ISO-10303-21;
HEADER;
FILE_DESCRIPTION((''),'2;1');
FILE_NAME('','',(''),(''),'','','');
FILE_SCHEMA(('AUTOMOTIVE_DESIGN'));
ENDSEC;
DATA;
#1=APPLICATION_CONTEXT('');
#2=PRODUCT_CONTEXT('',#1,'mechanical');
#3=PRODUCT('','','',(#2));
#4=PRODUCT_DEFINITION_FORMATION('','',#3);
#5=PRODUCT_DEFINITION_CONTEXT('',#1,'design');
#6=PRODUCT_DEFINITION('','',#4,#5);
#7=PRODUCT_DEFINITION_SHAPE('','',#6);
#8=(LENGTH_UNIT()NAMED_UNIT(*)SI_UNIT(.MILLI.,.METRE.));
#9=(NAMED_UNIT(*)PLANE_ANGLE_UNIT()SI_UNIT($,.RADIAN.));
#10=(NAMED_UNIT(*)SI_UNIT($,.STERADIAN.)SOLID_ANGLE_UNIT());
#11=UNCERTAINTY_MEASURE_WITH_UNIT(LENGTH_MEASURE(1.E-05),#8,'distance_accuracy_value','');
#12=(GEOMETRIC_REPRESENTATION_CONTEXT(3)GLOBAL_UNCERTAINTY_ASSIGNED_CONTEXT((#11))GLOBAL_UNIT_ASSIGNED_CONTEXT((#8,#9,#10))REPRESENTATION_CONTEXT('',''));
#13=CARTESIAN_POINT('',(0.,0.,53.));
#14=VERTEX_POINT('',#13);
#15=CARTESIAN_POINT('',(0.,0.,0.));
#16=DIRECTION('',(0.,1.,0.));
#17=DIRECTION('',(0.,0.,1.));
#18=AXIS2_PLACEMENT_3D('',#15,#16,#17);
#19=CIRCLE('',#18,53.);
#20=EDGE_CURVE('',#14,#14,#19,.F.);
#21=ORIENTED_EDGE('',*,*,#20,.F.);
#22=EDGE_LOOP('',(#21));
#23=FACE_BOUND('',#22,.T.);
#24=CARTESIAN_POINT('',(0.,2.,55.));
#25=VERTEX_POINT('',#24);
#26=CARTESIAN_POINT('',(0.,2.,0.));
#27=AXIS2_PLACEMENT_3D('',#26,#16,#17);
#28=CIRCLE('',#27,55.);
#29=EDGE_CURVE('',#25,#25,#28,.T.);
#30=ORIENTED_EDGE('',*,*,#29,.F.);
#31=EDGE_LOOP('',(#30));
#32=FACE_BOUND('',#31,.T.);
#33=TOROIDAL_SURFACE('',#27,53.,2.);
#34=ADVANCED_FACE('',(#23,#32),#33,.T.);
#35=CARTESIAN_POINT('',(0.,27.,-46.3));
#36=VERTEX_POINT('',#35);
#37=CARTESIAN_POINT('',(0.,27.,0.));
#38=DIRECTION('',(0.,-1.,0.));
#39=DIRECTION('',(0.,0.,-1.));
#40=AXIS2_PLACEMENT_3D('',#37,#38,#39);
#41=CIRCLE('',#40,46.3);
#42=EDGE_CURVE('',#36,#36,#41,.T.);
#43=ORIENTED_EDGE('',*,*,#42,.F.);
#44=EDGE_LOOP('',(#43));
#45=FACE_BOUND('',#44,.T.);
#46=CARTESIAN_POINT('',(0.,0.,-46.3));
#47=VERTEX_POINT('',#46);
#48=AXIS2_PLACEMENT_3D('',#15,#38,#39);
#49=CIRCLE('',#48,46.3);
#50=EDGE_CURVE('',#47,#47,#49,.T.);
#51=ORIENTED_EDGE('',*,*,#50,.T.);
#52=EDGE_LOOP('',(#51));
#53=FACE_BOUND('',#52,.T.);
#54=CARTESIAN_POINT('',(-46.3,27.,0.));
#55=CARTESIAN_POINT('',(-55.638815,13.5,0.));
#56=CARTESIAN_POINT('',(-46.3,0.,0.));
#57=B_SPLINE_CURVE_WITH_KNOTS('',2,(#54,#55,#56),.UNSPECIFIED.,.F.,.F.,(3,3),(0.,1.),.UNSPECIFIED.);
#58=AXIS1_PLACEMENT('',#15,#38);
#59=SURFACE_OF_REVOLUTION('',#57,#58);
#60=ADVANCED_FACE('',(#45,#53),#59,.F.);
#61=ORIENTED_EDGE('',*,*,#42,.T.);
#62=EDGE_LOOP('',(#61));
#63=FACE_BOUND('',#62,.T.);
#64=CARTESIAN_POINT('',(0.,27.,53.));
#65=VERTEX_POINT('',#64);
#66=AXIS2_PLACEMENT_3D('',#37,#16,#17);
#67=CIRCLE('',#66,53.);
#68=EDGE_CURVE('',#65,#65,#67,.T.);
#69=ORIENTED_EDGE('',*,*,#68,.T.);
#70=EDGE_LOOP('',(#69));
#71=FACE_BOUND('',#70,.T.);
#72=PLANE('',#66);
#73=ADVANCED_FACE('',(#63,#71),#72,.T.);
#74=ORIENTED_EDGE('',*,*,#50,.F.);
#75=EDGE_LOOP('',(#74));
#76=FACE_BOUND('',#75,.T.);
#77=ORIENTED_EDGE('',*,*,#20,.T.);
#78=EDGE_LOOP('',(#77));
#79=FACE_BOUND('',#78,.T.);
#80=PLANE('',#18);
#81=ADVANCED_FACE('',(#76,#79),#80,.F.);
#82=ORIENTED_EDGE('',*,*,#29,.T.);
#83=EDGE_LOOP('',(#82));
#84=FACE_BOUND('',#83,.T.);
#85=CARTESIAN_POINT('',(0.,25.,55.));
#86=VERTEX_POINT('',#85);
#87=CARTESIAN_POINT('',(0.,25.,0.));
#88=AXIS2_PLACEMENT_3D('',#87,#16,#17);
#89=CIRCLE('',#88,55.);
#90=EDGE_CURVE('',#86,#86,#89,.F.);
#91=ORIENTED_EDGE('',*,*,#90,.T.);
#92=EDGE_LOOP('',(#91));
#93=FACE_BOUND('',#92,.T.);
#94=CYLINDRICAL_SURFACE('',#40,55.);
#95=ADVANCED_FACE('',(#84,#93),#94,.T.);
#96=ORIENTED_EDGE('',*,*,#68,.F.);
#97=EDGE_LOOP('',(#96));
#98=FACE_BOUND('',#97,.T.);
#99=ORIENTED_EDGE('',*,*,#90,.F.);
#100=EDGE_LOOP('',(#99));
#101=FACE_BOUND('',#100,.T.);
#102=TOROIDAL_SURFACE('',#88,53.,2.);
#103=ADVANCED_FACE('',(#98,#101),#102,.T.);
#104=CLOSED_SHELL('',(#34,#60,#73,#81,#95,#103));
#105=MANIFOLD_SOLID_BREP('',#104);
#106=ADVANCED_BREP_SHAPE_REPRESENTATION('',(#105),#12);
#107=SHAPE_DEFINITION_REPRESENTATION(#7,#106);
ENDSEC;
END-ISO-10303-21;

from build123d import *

# Parameters (mm, degrees)
SKETCH1_R           = 55
SKETCH1_R_2         = 46.3
BOSS_EXTRUDE1_DEPTH = 27
FILLET1_R           = 2


with BuildPart() as part:
    # Sketch1 → Boss-Extrude1 (new body)
    with BuildSketch(Plane(origin=(0, 0, 0), x_dir=(1, 0, 0), z_dir=(0, 1, 0))):
        with Locations(Location((0, 0, 0), (0, 0, 270))):
            Circle(SKETCH1_R)
        with Locations(Location((0, 0, 0), (0, 0, 270))):
            Circle(SKETCH1_R_2, mode=Mode.SUBTRACT)
    extrude(amount=BOSS_EXTRUDE1_DEPTH)

    # Fillet1
    fillet1_edges = [part.edges().sort_by_distance(p)[0] for p in [
        (0, 0, -55),
        (0, 27, -55),
    ]]
    fillet(fillet1_edges, radius=FILLET1_R)

    # Sketch2 → Cut-Revolve1 (revolve, cut)
    with BuildSketch(Plane.XY):
        with BuildLine():
            Line((-46.3, 27), (-46.3, 0))
            add(Edge.make_bspline(
                [(-46.3, 27), (-55.638814742, 13.5), (-46.3, 0)],
                knots=[0, 0, 0, 1, 1, 1], degree=2))
        make_face()
    revolve(axis=Axis((0, 0, 0), (0, 1, 0)), mode=Mode.SUBTRACT)


solid = part.part
